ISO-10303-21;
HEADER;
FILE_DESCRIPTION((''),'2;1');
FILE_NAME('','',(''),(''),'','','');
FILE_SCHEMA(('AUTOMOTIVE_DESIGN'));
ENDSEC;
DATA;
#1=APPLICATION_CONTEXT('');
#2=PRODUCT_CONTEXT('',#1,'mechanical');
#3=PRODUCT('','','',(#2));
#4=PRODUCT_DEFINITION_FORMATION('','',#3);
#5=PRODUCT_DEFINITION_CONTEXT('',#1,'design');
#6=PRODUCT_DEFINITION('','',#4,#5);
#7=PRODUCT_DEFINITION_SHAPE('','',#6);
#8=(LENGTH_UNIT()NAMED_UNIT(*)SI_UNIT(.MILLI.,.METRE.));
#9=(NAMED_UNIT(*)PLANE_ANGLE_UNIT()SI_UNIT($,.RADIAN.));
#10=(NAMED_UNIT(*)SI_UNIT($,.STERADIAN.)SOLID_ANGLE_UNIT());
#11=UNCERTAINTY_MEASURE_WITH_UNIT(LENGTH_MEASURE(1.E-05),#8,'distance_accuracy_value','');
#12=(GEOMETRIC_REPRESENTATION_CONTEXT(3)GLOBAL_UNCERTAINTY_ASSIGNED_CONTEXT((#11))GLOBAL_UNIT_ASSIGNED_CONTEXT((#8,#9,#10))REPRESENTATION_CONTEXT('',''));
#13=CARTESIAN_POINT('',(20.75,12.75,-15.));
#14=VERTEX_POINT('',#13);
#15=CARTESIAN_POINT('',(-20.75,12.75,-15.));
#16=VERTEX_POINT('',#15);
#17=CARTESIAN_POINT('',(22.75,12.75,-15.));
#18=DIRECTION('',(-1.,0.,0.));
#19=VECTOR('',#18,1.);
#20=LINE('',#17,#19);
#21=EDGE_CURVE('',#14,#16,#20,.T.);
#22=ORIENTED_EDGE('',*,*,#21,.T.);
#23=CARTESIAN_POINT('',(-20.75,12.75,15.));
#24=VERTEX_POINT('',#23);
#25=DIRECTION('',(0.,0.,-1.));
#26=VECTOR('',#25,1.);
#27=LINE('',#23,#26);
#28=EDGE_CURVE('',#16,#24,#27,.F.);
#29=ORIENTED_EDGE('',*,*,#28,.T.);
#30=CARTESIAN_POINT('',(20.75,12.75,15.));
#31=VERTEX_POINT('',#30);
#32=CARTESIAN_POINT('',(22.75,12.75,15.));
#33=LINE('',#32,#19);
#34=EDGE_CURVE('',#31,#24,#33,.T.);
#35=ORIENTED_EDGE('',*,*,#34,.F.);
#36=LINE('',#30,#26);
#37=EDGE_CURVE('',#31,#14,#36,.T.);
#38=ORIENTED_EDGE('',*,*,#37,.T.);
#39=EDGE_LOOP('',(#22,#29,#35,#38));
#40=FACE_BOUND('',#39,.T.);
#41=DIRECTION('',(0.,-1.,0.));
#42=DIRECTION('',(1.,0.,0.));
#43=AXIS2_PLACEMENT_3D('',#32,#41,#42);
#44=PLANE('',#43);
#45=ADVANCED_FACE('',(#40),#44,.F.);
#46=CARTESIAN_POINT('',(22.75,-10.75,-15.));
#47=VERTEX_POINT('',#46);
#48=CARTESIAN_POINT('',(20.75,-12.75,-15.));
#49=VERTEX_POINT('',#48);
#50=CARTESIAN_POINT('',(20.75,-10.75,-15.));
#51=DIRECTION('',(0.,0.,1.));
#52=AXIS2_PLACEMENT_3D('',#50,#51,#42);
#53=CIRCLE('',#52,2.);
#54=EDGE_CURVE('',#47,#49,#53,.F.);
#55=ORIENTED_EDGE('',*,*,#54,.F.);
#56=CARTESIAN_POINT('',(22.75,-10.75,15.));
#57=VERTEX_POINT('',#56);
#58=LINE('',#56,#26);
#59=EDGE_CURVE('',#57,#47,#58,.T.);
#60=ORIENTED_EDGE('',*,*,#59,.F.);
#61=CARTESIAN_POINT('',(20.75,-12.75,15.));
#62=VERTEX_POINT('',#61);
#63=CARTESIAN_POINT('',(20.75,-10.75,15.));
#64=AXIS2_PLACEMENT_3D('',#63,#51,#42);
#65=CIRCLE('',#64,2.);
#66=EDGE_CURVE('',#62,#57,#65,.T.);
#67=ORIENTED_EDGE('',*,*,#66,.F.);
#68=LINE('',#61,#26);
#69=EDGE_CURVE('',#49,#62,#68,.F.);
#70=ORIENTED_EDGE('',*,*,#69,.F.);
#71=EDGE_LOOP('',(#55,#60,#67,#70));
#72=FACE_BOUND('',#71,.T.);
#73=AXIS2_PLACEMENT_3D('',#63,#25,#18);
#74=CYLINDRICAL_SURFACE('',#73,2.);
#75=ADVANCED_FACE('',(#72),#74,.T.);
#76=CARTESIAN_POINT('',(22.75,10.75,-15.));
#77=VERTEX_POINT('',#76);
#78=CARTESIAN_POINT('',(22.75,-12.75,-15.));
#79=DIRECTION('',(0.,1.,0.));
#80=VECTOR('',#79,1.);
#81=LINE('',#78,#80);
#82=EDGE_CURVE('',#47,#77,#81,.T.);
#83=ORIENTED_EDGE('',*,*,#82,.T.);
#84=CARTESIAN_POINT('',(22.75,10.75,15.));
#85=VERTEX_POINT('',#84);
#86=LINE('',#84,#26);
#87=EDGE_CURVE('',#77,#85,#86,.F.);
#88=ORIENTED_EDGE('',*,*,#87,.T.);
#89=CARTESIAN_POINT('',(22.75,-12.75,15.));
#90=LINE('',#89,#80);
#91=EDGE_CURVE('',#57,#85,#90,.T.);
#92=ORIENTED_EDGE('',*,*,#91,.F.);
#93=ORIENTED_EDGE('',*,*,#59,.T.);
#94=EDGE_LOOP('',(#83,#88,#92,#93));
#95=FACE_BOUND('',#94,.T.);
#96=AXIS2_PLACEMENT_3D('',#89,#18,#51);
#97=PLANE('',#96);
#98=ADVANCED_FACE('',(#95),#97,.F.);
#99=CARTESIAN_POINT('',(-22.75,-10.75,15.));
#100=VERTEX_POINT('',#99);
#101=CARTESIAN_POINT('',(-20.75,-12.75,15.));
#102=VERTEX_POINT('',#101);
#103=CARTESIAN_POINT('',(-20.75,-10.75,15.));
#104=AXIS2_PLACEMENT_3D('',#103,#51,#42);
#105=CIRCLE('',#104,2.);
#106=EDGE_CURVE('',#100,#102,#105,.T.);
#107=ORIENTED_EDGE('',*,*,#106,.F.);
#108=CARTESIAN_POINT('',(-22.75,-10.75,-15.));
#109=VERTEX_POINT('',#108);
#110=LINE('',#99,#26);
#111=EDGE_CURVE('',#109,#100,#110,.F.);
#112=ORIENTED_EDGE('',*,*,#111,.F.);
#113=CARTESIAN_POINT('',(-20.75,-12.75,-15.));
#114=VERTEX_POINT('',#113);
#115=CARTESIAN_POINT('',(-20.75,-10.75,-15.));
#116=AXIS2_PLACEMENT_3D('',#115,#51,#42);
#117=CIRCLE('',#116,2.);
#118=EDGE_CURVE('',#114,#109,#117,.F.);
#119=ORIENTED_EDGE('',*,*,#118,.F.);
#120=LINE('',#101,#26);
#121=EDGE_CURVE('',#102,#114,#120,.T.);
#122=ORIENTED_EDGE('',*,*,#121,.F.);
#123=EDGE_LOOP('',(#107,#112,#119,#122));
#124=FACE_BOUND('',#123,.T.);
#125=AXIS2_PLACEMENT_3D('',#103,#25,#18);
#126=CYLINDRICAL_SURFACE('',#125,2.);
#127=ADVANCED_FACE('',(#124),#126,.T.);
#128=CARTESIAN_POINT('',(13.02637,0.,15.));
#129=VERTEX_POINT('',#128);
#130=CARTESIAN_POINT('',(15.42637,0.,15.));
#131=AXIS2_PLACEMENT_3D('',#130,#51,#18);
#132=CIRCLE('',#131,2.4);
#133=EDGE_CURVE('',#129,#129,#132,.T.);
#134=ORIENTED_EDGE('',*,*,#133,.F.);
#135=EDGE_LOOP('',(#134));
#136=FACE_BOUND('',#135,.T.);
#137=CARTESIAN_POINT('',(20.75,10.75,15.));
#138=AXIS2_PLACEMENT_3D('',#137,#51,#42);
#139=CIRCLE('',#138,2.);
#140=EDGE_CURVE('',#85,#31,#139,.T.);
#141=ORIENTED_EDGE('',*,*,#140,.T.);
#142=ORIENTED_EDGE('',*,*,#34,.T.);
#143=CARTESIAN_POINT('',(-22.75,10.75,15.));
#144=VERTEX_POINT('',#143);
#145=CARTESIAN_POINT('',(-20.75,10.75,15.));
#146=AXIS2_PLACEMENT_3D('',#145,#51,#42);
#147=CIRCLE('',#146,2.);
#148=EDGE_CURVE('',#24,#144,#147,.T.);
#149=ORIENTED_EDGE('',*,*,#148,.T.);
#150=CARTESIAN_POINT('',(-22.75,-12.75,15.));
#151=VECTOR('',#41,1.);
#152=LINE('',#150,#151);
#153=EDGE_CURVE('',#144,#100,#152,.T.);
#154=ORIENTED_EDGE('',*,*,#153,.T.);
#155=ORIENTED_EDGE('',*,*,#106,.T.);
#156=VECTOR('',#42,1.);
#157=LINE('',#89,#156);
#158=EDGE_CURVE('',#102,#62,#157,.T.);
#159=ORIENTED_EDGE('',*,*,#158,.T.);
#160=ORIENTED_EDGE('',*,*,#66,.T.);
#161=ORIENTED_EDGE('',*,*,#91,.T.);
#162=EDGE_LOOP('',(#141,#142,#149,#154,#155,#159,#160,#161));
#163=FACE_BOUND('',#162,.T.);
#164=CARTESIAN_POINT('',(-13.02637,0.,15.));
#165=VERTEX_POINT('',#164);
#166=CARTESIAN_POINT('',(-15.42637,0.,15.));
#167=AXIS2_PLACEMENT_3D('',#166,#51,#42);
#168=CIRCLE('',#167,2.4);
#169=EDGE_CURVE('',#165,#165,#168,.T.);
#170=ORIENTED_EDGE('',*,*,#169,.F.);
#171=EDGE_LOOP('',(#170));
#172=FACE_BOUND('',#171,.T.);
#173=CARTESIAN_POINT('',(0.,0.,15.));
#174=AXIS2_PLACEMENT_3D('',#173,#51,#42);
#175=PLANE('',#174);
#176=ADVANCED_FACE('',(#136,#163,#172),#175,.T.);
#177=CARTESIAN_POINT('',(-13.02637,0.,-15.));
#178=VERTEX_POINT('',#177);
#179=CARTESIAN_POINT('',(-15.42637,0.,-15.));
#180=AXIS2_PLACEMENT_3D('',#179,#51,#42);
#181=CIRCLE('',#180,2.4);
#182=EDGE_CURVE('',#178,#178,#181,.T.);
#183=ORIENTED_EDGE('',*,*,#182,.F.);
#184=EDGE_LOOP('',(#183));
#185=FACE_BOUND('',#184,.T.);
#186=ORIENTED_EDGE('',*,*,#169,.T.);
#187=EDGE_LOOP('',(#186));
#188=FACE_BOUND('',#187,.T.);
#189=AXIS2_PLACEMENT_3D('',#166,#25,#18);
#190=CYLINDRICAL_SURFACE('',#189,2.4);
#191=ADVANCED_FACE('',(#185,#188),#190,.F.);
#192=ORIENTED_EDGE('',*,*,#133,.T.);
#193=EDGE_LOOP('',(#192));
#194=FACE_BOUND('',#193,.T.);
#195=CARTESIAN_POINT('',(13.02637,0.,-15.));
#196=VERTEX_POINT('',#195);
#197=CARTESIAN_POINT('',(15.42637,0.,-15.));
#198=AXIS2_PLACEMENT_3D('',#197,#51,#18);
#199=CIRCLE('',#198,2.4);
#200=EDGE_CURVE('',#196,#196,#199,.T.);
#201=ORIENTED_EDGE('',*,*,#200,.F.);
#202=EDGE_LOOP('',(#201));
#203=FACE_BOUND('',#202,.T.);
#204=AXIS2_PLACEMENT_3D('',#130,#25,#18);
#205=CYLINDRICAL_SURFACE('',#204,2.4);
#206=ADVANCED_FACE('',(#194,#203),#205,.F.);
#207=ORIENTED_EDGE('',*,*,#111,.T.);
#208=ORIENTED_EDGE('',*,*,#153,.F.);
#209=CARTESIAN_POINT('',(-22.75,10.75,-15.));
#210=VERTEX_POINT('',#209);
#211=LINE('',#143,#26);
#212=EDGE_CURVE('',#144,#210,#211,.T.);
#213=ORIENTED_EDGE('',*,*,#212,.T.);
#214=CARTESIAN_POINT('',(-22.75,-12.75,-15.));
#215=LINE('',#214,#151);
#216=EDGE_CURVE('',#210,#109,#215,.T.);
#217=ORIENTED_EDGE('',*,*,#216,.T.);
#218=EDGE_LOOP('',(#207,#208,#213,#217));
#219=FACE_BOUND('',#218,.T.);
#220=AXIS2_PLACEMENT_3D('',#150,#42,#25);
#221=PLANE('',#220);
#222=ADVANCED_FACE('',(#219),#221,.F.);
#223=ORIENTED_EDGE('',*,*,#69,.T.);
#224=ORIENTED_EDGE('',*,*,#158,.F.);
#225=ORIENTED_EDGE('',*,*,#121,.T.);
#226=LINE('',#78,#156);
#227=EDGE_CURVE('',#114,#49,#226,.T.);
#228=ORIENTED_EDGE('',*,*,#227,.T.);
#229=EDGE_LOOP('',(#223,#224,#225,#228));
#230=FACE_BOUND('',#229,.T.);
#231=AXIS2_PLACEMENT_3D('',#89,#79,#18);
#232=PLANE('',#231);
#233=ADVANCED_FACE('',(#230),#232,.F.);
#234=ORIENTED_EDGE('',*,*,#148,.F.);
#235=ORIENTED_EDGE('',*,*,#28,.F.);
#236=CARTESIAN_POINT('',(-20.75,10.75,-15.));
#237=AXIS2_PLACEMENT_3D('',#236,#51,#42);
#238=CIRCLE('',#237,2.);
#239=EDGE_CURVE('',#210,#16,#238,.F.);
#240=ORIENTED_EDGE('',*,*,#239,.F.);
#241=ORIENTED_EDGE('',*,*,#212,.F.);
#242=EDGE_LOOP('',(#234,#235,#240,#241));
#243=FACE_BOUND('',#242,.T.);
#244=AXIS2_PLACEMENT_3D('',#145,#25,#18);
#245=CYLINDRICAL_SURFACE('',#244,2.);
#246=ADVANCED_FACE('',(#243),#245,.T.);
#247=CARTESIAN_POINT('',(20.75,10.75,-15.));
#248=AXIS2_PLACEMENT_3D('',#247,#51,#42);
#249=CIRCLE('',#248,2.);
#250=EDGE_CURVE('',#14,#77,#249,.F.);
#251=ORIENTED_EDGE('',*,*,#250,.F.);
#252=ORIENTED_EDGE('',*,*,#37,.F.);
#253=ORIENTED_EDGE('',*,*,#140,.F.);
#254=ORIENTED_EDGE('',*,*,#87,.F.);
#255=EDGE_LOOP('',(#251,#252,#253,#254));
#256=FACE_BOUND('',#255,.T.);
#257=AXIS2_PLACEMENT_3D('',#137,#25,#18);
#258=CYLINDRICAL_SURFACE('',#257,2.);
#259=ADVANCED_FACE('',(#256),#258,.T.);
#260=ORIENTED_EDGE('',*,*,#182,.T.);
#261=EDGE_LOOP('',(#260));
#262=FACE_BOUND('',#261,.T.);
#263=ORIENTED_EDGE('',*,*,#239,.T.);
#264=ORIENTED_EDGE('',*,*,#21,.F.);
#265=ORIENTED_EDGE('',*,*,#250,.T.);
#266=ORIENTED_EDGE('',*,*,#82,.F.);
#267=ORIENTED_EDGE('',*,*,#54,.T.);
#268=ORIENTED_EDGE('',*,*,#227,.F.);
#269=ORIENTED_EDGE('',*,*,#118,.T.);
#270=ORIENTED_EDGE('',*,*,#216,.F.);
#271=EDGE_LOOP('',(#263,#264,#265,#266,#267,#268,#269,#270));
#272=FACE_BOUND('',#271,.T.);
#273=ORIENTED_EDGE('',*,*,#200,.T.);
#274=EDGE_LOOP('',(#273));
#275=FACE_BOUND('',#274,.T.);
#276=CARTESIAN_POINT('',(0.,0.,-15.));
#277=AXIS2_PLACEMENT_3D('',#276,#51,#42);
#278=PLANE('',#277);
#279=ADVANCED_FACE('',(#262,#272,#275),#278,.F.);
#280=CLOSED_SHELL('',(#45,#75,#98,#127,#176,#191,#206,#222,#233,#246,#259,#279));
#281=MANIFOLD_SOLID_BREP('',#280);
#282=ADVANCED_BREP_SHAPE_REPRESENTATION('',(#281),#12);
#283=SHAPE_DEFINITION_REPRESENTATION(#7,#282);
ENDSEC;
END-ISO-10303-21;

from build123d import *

# Parameters (mm, degrees)
SKETCH1_W           = 45.5
SKETCH1_H           = 25.5
SKETCH1_R           = 2.4
BOSS_EXTRUDE1_DEPTH = 15
FILLET1_R           = 2


with BuildPart() as part:
    # Sketch1 → Boss-Extrude1 (new, symmetric)
    with BuildSketch(Plane.XY):
        Rectangle(SKETCH1_W, SKETCH1_H)
        with Locations((-15.426369863, 0)):
            Circle(SKETCH1_R, mode=Mode.SUBTRACT)
        with Locations((15.426369863, 0)):
            Circle(SKETCH1_R, mode=Mode.SUBTRACT)
    extrude(amount=BOSS_EXTRUDE1_DEPTH, both=True)

    # Fillet1
    fillet1_edges = [part.edges().sort_by_distance(p)[0] for p in [
        (-22.75, -12.75, 0),
        (22.75, -12.75, 0),
        (-22.75, 12.75, 0),
        (22.75, 12.75, 0),
    ]]
    fillet(fillet1_edges, radius=FILLET1_R)


solid = part.part
